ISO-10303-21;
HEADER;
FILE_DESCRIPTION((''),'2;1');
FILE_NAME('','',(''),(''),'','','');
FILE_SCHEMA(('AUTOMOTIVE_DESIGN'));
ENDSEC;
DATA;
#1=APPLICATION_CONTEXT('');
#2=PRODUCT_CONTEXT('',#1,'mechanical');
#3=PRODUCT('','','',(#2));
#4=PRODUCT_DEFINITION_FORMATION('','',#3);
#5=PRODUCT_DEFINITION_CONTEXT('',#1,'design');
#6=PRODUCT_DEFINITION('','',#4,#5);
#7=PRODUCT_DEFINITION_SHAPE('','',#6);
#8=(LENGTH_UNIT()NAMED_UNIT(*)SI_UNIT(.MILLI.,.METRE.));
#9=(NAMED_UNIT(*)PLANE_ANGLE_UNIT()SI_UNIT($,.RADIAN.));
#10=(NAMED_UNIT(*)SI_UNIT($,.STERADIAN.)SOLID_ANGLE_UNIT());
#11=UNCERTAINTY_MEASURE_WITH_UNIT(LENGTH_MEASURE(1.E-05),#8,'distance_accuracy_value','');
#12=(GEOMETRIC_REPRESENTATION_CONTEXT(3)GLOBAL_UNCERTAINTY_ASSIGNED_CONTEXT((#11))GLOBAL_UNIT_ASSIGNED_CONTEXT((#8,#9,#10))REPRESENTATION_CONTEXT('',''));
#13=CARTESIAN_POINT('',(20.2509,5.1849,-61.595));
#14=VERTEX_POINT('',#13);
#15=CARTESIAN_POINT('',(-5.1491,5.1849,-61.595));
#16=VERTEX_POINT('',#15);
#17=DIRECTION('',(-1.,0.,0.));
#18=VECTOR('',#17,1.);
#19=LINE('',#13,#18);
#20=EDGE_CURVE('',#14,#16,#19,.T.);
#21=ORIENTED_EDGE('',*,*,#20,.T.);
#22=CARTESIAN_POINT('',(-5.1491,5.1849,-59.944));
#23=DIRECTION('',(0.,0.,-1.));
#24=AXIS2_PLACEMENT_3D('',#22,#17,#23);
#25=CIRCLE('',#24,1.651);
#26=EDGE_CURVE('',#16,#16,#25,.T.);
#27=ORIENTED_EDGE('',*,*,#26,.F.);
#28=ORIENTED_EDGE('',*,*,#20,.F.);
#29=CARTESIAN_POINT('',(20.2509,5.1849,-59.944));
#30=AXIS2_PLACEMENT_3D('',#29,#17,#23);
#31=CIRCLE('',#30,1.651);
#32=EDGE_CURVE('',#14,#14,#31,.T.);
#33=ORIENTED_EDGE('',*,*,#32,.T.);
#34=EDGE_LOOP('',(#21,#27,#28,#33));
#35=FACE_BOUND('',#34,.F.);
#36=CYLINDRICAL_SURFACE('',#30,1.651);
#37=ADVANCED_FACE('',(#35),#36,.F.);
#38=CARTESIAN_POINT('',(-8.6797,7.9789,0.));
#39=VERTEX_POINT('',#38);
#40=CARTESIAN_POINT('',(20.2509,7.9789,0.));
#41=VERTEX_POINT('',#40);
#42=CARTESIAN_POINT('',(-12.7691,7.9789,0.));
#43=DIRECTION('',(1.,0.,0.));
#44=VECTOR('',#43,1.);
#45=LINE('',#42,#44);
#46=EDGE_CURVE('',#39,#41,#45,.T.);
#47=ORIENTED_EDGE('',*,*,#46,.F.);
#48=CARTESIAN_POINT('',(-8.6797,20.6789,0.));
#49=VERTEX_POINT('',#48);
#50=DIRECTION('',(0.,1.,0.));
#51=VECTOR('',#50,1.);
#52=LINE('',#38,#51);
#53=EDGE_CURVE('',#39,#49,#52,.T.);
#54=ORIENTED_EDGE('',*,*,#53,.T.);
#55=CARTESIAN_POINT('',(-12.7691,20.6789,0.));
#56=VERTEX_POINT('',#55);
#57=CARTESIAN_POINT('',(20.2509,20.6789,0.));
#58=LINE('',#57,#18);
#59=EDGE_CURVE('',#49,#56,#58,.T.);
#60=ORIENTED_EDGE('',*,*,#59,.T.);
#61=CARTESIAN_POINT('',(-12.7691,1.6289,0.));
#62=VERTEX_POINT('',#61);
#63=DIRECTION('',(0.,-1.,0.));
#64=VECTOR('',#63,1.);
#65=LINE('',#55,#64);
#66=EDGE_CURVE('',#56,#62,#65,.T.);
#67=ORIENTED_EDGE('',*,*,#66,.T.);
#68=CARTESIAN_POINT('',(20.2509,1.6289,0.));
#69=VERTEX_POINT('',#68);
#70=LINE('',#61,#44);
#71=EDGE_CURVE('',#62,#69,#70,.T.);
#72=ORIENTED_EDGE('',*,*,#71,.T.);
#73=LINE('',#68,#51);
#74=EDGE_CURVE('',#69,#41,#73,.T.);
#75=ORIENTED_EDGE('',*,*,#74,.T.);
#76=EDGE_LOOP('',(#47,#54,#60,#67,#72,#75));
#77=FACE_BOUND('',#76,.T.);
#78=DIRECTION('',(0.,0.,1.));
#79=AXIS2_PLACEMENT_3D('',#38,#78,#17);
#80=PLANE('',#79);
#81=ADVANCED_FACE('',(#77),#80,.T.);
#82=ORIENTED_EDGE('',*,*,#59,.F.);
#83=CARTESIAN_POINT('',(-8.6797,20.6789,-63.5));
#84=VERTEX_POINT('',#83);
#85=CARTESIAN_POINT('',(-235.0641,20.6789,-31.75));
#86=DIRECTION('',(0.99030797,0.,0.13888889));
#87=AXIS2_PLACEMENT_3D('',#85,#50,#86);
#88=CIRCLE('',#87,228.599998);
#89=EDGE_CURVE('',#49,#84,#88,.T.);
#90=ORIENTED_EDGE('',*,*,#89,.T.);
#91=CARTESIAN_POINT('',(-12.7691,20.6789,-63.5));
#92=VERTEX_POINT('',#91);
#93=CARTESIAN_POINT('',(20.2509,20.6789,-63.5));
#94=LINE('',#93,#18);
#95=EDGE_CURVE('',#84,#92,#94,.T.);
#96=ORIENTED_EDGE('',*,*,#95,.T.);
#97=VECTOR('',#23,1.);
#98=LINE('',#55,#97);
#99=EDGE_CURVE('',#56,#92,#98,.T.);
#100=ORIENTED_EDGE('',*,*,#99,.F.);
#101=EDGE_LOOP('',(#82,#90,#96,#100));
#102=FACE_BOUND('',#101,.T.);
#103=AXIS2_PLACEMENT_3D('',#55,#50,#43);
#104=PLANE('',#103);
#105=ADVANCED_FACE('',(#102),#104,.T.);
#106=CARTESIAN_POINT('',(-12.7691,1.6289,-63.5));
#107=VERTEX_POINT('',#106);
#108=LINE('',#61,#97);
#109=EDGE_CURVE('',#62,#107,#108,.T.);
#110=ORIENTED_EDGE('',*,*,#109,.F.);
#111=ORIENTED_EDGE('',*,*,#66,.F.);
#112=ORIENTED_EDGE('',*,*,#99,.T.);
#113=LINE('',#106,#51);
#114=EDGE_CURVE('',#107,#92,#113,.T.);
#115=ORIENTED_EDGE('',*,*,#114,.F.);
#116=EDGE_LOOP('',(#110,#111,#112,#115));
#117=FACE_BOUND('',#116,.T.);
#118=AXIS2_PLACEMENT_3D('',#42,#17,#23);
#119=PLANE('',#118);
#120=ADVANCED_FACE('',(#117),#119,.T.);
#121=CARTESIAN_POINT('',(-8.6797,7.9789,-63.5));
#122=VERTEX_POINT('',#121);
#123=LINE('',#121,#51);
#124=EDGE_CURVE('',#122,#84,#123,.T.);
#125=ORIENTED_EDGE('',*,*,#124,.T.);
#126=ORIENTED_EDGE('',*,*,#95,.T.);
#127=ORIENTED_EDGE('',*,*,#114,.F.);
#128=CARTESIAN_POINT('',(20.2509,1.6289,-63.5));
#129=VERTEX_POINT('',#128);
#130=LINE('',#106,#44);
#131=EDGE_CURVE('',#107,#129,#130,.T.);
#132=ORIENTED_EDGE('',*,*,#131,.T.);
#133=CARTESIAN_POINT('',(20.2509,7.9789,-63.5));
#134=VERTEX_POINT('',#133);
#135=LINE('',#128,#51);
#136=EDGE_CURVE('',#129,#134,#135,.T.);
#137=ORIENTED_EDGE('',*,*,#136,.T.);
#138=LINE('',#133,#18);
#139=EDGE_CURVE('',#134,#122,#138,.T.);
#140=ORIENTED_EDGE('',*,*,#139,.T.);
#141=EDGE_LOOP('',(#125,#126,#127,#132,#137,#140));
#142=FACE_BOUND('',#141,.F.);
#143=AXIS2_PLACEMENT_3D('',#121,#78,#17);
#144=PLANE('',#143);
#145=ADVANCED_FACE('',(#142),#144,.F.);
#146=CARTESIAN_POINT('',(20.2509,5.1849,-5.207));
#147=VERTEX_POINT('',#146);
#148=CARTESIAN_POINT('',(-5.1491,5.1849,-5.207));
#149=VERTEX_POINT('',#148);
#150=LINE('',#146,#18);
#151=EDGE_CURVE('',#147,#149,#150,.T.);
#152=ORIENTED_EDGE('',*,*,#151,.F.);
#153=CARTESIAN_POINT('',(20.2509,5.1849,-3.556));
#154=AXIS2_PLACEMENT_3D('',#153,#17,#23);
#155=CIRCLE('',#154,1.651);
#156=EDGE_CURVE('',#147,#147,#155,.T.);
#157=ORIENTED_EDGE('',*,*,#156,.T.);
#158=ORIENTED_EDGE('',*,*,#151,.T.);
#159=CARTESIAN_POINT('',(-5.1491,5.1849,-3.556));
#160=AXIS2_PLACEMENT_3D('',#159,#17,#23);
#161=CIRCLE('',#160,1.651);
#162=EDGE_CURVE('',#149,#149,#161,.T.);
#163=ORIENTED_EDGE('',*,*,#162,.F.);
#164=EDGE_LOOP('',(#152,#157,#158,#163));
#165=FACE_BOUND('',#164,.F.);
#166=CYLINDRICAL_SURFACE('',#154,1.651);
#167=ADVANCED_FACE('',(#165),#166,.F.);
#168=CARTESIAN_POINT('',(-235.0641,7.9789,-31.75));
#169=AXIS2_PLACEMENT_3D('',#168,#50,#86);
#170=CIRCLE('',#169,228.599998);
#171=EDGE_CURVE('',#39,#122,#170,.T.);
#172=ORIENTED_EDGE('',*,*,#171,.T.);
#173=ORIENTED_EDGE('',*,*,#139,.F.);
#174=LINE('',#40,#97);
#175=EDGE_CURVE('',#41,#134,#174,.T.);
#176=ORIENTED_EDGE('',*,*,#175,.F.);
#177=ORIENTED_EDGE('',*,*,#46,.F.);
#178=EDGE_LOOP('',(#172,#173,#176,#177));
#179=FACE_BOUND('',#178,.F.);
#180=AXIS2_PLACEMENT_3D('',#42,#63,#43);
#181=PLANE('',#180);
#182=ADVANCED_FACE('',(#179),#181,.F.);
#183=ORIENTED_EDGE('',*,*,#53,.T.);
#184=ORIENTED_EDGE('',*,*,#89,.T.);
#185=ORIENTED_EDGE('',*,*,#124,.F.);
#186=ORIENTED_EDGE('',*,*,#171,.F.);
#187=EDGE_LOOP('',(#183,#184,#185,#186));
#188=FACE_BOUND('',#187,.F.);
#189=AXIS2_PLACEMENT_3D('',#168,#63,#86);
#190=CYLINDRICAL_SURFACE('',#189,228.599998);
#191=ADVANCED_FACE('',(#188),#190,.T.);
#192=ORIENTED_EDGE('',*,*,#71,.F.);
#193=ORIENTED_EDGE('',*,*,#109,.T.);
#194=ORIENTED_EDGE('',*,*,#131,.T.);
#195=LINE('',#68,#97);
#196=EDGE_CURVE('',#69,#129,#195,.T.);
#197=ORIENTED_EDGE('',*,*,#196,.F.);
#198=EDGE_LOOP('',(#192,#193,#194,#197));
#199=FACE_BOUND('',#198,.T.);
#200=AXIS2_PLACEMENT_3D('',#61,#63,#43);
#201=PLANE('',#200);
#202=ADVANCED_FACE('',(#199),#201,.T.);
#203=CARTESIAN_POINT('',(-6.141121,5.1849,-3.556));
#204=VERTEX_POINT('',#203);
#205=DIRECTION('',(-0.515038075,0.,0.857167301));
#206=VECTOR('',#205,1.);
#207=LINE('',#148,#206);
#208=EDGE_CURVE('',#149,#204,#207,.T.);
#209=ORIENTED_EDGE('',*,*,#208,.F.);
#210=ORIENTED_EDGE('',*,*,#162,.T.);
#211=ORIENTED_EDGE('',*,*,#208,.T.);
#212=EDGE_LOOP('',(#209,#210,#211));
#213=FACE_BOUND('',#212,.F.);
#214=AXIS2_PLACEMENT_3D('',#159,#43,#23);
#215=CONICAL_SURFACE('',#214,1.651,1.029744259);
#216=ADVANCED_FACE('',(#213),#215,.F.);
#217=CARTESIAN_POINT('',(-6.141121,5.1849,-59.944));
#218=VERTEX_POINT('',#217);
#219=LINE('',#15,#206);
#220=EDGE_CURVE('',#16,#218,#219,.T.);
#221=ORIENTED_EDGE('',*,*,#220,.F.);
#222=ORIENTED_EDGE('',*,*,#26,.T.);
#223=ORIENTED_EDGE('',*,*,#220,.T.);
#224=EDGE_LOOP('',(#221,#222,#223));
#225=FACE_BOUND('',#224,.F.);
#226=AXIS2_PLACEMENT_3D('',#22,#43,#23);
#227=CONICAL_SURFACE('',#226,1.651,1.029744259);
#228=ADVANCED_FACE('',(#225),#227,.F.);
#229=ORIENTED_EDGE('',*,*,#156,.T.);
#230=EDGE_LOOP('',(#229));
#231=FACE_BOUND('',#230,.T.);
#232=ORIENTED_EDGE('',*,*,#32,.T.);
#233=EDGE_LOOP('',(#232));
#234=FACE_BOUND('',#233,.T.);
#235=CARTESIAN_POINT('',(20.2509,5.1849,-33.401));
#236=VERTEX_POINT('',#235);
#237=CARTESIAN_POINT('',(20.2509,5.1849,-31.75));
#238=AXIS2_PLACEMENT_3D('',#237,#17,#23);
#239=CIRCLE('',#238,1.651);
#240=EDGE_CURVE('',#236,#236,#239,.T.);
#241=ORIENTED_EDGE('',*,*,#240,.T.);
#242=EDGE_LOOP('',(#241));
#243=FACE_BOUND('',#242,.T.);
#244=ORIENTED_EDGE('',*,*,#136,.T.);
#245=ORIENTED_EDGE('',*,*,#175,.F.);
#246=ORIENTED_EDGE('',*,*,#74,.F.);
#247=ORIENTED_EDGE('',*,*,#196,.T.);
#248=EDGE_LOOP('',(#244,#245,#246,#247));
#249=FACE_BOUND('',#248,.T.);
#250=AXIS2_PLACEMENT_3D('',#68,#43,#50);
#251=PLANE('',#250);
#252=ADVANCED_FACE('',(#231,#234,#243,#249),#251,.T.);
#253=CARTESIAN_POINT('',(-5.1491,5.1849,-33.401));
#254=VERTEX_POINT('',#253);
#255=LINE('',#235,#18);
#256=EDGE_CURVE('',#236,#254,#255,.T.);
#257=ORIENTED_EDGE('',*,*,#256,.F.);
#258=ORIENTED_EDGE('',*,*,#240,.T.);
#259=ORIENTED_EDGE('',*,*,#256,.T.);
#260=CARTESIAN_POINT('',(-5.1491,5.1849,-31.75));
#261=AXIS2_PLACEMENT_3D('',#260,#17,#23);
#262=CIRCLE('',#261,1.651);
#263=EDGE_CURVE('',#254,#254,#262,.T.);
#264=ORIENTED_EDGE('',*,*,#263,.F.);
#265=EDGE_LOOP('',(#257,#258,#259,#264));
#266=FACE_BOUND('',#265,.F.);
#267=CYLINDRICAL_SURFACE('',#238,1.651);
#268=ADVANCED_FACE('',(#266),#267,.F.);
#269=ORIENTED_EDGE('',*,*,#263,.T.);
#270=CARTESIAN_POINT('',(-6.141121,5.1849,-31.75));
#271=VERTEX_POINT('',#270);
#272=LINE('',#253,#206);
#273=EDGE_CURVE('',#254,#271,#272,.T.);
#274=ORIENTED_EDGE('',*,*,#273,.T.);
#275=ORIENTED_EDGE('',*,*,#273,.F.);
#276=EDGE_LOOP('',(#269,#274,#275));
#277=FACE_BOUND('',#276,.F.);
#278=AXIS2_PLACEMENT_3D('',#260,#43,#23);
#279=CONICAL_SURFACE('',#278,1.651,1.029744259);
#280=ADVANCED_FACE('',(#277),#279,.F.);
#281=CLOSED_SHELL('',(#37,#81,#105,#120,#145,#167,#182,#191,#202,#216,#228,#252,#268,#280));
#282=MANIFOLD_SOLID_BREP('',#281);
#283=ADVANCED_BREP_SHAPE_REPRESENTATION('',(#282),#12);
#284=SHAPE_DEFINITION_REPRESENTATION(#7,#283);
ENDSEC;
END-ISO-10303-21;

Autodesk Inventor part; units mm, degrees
ref_plane "YZ Plane" through (0, 0, 0) normal (1, 0, 0) x (0, 1, 0)
ref_plane "XZ Plane" through (0, 0, 0) normal (0, 1, 0) x (-1, 0, 0)
ref_plane "XY Plane" through (0, 0, 0) normal (0, 0, 1) x (1, 0, 0)
sketch "Sketch1" plane through (0, 0, 0) normal (0, 0, 1) x (1, 0, 0)
  line L0 (-12.7691, 1.6289) -> (20.2509, 1.6289)
  line L1 (20.2509, 1.6289) -> (20.2509, 7.9789)
  line L2 (20.2509, 7.9789) -> (-6.4191, 7.9789)
  line L3 (-12.7691, 1.6289) -> (-12.7691, 7.9789)
  line L4 (-12.7691, 7.9789) -> (-6.4191, 7.9789)
  point P0 (0, 0)
  dimension "d1" = 6.35
  dimension "d3" = 26.67
extrude "Extrusion1" add sketch "Sketch1" against normal blind 63.5
sketch "Sketch5" plane through (20.2509, 1.6289, 0) normal (1, 0, 0) x (0, 0, -1)
  line L0 (63.5, 0) -> (63.5, 6.35) projected
  line L1 (0, 0) -> (0, 6.35) projected
  point P0 (0, -1.6289)
  point P1 (3.556, 3.556)
  point P2 (31.75, 3.556)
  point P3 (59.944, 3.556)
  dimension "d34" = 3.556
  dimension "d35" = 3.556
  dimension "d36" = 31.75
  dimension "d37" = 3.556
hole "Hole3" at (20.2509, 5.1849, -3.556) at (20.2509, 5.1849, -31.75) at (20.2509, 5.1849, -59.944) direction (-1, 0, 0) diameter 3.302 depth 25.4 tip angle 118 thread size "8-32 UNC" class "2B" standard "ANSI Unified Screw Threads"
sketch "Sketch8" plane through (-12.7691, 7.9789, 0) normal (0, 1, 0) x (1, 0, 0)
  line L0 (33.02, 63.5) -> (0, 63.5) projected
  line L1 (0, 0) -> (0, 63.5) projected
  line L2 (33.02, 0) -> (0, 0) projected
  arc A0 (4.0894, 0) -> (4.0894, 63.5) centre (-222.295, 31.75) ccw
  point P0 (12.7691, 0)
  dimension "d48" = 4.0894
  dimension "d49" = 4.0894
  dimension "d50" = 228.6
extrude "Extrusion3" add sketch "Sketch8" along normal blind 12.7
properties part number "JF-AT-JC0016" material "Aluminum-6061"
